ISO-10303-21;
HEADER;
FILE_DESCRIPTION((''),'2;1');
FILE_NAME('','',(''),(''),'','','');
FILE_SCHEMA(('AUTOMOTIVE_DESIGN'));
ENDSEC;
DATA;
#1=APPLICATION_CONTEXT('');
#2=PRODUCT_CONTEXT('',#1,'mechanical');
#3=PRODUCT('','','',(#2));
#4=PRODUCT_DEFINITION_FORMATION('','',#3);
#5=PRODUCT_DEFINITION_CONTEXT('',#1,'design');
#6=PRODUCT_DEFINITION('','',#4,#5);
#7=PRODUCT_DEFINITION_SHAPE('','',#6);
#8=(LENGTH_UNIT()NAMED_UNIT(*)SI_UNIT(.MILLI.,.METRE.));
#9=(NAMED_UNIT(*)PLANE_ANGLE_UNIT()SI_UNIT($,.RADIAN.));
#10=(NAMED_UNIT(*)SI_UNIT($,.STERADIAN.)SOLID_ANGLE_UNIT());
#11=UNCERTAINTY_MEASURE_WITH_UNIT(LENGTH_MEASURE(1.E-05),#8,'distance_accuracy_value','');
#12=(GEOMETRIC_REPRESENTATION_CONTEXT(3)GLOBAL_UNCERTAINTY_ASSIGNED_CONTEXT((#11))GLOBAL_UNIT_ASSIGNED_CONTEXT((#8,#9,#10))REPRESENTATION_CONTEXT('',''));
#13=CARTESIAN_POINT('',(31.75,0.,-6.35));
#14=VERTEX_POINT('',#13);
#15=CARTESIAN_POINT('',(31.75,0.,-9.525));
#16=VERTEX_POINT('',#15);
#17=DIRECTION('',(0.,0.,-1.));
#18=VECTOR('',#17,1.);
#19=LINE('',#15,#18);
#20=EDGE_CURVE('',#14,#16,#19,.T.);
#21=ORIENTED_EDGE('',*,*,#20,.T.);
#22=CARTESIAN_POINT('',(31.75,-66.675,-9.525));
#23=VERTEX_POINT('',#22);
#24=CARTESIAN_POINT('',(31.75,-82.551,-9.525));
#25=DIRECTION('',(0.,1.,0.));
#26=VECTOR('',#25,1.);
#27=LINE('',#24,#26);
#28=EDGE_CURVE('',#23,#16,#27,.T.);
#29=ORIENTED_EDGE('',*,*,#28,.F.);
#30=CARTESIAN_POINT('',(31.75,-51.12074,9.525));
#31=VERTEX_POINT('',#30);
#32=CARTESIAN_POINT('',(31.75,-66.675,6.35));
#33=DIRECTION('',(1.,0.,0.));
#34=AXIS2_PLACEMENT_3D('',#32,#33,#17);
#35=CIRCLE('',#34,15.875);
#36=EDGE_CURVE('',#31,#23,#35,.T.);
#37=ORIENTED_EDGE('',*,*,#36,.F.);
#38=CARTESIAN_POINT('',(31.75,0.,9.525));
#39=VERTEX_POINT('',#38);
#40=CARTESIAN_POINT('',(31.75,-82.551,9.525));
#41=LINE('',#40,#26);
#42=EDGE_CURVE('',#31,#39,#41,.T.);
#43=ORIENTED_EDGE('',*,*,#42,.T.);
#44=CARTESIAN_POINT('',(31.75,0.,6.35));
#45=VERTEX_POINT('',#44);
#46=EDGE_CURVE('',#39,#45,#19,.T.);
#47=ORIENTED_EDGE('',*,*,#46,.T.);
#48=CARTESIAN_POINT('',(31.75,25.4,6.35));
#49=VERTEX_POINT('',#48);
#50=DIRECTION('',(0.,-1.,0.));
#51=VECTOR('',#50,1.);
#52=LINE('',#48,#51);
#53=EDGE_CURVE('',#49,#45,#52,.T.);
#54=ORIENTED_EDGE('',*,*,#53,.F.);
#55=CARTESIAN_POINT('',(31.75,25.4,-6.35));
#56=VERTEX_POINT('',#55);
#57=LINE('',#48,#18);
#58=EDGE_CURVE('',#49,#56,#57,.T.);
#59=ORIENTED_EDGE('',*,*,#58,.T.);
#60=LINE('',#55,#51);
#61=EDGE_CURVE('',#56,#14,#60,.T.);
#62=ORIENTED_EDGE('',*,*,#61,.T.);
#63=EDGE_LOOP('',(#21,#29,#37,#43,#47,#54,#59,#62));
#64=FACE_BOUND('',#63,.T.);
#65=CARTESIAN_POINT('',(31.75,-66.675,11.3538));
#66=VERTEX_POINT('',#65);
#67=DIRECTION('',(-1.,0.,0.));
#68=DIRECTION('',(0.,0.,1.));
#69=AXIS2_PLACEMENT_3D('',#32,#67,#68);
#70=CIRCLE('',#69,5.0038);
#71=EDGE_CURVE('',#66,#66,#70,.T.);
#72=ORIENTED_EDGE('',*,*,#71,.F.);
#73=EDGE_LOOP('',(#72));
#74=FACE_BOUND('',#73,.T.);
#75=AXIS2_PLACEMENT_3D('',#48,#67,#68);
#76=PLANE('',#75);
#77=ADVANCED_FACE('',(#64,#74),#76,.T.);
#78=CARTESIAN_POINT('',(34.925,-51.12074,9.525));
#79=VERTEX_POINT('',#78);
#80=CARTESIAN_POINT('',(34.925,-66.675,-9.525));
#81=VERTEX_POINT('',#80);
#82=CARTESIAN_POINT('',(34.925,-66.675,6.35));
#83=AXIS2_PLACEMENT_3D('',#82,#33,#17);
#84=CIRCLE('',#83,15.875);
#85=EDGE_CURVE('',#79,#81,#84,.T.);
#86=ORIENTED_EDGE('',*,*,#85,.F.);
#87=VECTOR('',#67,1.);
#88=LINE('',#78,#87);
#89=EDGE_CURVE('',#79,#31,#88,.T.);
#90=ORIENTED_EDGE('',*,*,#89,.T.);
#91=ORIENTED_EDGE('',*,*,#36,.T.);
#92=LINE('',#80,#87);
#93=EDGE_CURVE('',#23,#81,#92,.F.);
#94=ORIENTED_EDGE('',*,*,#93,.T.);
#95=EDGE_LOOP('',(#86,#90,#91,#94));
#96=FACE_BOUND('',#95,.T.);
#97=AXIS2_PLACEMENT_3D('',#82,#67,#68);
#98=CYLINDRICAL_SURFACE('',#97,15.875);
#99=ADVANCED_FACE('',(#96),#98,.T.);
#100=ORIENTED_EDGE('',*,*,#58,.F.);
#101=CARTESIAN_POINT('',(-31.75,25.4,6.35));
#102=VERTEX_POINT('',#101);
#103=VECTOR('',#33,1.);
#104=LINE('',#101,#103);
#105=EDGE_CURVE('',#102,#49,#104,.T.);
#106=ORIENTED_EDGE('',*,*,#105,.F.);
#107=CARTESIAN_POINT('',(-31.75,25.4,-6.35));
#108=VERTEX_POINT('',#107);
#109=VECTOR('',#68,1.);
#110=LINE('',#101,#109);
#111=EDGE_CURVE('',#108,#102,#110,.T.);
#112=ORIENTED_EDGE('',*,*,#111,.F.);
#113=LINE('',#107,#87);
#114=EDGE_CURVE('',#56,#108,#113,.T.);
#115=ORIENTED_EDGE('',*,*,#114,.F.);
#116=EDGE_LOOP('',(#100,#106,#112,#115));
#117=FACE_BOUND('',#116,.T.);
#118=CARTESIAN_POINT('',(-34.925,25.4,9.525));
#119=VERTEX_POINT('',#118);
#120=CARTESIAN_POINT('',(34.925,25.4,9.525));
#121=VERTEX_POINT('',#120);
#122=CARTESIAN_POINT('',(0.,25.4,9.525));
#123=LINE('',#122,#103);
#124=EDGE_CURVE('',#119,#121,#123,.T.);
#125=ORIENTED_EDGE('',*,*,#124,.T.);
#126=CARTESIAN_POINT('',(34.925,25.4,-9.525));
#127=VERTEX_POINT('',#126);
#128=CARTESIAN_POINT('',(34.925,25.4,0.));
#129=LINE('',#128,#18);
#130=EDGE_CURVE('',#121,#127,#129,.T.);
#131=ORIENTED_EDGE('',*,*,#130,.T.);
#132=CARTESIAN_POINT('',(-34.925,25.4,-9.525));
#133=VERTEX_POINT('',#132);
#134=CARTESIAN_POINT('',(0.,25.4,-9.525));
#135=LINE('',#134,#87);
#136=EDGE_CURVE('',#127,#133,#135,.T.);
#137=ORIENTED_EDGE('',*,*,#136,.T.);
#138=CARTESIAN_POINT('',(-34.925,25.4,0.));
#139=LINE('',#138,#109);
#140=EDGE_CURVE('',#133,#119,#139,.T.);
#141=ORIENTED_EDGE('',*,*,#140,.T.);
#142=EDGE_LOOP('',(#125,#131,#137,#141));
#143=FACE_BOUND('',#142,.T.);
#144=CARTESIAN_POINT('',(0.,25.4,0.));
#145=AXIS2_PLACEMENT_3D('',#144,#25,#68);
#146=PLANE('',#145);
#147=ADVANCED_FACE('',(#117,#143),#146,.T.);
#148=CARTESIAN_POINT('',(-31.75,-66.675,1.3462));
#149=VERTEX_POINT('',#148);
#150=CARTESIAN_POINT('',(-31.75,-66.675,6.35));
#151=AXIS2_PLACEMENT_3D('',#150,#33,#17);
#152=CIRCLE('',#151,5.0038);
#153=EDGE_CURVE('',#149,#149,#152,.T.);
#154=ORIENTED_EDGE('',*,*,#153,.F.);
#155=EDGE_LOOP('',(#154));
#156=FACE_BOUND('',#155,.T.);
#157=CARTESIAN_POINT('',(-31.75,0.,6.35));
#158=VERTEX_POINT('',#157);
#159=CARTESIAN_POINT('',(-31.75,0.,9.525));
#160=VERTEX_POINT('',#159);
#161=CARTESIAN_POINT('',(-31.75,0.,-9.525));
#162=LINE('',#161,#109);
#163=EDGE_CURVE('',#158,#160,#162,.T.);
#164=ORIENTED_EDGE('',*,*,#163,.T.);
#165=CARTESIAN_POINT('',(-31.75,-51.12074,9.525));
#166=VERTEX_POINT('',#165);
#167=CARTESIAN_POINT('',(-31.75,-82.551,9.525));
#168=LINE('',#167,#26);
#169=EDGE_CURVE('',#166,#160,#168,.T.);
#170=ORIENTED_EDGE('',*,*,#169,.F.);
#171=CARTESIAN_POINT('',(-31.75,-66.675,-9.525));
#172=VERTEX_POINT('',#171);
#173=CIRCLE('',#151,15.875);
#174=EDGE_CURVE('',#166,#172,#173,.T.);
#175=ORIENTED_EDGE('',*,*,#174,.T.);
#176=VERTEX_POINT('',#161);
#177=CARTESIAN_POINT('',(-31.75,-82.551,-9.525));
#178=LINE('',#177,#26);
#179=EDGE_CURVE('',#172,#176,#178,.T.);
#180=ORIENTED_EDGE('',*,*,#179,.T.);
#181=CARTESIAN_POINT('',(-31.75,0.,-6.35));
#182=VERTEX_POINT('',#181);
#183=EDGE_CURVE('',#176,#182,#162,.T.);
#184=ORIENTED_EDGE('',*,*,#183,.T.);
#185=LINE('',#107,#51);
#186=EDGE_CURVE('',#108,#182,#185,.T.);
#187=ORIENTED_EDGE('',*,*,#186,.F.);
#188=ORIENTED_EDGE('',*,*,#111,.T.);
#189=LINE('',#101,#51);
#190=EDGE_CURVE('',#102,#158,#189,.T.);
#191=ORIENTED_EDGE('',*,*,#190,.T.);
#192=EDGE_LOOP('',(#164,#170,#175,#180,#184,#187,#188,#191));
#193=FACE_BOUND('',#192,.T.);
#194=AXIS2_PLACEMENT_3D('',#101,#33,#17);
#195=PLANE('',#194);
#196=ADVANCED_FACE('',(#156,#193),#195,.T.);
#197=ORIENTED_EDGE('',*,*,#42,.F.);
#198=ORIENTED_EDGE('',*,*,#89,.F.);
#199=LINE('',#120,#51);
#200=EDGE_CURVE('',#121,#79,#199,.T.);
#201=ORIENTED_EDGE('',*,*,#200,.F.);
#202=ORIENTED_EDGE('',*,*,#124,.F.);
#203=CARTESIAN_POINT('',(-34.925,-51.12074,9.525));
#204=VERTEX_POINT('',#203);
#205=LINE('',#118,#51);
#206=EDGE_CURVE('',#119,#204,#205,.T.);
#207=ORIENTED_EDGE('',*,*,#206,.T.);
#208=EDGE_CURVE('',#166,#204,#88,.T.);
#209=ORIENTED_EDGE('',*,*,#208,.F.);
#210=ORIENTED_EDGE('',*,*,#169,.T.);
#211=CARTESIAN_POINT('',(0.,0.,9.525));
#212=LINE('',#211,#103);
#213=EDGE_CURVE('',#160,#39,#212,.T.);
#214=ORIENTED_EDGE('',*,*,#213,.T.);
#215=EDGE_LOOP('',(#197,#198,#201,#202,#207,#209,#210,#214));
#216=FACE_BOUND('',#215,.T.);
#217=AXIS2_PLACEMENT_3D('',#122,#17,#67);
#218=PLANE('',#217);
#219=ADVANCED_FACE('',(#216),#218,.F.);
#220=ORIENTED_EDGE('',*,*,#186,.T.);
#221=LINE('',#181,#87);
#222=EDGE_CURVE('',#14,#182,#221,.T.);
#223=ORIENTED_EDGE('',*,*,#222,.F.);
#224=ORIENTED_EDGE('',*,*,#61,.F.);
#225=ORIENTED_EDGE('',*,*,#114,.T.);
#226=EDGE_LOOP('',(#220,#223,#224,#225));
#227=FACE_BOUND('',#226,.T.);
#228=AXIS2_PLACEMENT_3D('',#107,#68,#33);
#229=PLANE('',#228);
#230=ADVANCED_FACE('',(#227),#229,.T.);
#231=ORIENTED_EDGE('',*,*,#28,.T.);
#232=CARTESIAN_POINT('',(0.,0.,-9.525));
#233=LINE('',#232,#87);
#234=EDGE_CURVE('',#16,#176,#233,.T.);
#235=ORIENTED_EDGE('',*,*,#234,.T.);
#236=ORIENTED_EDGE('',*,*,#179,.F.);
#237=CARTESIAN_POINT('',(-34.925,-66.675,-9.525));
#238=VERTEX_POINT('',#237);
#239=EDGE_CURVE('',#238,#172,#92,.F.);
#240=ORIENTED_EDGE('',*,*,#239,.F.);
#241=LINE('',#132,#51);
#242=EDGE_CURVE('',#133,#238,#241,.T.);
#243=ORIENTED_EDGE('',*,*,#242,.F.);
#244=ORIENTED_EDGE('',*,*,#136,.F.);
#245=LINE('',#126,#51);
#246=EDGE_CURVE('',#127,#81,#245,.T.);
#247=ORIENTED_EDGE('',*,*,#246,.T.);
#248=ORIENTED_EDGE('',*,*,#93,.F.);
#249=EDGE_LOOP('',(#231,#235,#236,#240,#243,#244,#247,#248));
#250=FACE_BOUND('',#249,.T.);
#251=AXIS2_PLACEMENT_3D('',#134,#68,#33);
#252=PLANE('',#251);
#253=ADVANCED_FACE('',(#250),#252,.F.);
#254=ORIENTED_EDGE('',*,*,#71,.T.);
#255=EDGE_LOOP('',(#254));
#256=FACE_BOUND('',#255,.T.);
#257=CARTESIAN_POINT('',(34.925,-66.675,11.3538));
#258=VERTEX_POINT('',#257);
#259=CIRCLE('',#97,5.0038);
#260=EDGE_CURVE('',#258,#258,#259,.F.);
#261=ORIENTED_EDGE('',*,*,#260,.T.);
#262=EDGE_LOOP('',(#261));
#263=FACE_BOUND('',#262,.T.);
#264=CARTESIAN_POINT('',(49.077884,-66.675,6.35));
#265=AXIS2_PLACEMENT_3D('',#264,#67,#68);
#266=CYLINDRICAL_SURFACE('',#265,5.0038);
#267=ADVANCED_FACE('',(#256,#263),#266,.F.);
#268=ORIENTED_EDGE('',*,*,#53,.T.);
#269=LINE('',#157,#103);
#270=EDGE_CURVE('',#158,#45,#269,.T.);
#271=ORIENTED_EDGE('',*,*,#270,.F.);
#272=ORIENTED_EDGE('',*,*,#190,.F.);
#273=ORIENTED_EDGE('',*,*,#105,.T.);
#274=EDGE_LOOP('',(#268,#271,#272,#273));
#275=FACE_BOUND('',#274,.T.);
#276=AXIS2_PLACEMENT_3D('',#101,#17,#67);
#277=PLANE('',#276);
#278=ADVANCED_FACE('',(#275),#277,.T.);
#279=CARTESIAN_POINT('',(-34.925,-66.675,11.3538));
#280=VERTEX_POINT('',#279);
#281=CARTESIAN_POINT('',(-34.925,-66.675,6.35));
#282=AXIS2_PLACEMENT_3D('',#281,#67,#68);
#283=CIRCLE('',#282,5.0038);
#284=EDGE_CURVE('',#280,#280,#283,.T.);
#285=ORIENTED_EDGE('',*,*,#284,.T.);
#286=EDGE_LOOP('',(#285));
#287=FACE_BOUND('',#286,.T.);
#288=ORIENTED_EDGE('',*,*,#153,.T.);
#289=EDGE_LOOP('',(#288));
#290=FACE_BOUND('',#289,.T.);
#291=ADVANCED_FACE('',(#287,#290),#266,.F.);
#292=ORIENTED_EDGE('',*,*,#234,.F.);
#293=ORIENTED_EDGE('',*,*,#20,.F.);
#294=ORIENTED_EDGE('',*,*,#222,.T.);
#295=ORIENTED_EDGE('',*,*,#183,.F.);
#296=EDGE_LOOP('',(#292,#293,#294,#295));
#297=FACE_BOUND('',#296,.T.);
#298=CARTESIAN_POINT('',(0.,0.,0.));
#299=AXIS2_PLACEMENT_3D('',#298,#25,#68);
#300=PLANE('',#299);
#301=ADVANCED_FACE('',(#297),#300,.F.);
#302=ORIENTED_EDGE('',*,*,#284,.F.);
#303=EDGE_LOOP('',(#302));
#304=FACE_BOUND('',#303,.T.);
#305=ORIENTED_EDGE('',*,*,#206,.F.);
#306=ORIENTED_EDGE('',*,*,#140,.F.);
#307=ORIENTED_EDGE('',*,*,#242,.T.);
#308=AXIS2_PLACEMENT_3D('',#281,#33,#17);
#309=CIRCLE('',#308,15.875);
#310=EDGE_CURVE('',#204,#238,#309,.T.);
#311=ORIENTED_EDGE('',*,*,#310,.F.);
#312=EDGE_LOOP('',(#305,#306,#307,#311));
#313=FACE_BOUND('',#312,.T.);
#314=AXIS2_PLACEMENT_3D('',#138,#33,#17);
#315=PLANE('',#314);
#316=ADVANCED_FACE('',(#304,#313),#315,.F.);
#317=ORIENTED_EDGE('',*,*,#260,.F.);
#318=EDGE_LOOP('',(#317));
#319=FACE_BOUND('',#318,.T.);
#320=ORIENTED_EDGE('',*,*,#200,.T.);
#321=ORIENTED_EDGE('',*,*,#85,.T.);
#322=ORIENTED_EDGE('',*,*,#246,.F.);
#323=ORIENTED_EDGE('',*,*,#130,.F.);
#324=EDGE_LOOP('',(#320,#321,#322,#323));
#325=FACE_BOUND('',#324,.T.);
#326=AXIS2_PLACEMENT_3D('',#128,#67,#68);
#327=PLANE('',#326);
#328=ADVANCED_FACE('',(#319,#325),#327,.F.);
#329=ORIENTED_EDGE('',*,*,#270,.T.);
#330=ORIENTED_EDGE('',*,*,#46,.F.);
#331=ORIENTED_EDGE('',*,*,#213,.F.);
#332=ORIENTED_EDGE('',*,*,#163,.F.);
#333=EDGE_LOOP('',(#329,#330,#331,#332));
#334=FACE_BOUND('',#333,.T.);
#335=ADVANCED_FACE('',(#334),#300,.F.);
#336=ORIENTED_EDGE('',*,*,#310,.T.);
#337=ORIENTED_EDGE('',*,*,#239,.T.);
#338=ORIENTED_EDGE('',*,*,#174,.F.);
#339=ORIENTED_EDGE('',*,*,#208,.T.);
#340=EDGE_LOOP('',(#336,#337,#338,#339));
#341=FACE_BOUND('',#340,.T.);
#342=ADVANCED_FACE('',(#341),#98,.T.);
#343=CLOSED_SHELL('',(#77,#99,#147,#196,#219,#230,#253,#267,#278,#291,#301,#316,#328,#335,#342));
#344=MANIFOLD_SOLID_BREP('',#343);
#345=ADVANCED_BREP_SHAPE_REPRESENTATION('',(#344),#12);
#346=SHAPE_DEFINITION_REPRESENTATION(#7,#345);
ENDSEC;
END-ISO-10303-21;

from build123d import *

# Parameters (mm, degrees)
PROBEPROFILE_W      = 69.85
PROBEPROFILE_H      = 19.05
PROBEPROFILE_W_2    = 63.5
PROBEPROFILE_H_2    = 12.7
EXTRUDE_THIN1_DEPTH = 25.4
SKETCH2_R           = 15.875
BOSS_EXTRUDE1_DEPTH = 34.925
SKETCH2_2_R         = 15.875
CUT_EXTRUDE1_DEPTH  = 31.75
SKETCH3_W           = 3.175
SKETCH3_H           = 19.05
BOSS_EXTRUDE2_DEPTH = 66.675
CUT_EXTRUDE2_START  = -69.85
SKETCH4_R           = 5.0038
CUT_EXTRUDE2_DEPTH  = 69.85


with BuildPart() as part:
    # ProbeProfile → Extrude-Thin1 (new body)
    with BuildSketch(Plane(origin=(0, 0, 0), x_dir=(1, 0, 0), z_dir=(0, 1, 0))):
        Rectangle(PROBEPROFILE_W, PROBEPROFILE_H)
        Rectangle(PROBEPROFILE_W_2, PROBEPROFILE_H_2, mode=Mode.SUBTRACT)
    extrude(amount=EXTRUDE_THIN1_DEPTH)



with BuildPart() as body_2:
    # Sketch2 → Boss-Extrude1 (new body, symmetric)
    with BuildSketch(Plane(origin=(0, 0, 0), x_dir=(0, 0, -1), z_dir=(1, 0, 0))):
        with Locations((-6.35, -66.675)):
            Circle(SKETCH2_R)
    extrude(amount=BOSS_EXTRUDE1_DEPTH, both=True)

    # Sketch2<2> → Cut-Extrude1 (cut, symmetric)
    with BuildSketch(Plane(origin=(0, 0, 0), x_dir=(0, 0, -1), z_dir=(1, 0, 0))):
        with Locations((-6.35, -66.675)):
            Circle(SKETCH2_2_R)
    extrude(amount=CUT_EXTRUDE1_DEPTH, both=True, mode=Mode.SUBTRACT)


with BuildPart() as part_1:
    add(part.part)

    add(body_2.part)  # Boss-Extrude2 merges body 2
    # Sketch3 → Boss-Extrude2 (add)
    with BuildSketch(Plane.XZ):
        with Locations((33.3375, 0)):
            Rectangle(SKETCH3_W, SKETCH3_H)
        with Locations((-33.3375, 0)):
            Rectangle(SKETCH3_W, SKETCH3_H)
    extrude(amount=BOSS_EXTRUDE2_DEPTH)

    # Sketch4 → Cut-Extrude2 (cut)
    with BuildSketch(Plane.ZY.offset(34.925).offset(CUT_EXTRUDE2_START)):
        with Locations((6.35, -66.675)):
            Circle(SKETCH4_R)
    extrude(amount=CUT_EXTRUDE2_DEPTH, mode=Mode.SUBTRACT)


solid = part_1.part
